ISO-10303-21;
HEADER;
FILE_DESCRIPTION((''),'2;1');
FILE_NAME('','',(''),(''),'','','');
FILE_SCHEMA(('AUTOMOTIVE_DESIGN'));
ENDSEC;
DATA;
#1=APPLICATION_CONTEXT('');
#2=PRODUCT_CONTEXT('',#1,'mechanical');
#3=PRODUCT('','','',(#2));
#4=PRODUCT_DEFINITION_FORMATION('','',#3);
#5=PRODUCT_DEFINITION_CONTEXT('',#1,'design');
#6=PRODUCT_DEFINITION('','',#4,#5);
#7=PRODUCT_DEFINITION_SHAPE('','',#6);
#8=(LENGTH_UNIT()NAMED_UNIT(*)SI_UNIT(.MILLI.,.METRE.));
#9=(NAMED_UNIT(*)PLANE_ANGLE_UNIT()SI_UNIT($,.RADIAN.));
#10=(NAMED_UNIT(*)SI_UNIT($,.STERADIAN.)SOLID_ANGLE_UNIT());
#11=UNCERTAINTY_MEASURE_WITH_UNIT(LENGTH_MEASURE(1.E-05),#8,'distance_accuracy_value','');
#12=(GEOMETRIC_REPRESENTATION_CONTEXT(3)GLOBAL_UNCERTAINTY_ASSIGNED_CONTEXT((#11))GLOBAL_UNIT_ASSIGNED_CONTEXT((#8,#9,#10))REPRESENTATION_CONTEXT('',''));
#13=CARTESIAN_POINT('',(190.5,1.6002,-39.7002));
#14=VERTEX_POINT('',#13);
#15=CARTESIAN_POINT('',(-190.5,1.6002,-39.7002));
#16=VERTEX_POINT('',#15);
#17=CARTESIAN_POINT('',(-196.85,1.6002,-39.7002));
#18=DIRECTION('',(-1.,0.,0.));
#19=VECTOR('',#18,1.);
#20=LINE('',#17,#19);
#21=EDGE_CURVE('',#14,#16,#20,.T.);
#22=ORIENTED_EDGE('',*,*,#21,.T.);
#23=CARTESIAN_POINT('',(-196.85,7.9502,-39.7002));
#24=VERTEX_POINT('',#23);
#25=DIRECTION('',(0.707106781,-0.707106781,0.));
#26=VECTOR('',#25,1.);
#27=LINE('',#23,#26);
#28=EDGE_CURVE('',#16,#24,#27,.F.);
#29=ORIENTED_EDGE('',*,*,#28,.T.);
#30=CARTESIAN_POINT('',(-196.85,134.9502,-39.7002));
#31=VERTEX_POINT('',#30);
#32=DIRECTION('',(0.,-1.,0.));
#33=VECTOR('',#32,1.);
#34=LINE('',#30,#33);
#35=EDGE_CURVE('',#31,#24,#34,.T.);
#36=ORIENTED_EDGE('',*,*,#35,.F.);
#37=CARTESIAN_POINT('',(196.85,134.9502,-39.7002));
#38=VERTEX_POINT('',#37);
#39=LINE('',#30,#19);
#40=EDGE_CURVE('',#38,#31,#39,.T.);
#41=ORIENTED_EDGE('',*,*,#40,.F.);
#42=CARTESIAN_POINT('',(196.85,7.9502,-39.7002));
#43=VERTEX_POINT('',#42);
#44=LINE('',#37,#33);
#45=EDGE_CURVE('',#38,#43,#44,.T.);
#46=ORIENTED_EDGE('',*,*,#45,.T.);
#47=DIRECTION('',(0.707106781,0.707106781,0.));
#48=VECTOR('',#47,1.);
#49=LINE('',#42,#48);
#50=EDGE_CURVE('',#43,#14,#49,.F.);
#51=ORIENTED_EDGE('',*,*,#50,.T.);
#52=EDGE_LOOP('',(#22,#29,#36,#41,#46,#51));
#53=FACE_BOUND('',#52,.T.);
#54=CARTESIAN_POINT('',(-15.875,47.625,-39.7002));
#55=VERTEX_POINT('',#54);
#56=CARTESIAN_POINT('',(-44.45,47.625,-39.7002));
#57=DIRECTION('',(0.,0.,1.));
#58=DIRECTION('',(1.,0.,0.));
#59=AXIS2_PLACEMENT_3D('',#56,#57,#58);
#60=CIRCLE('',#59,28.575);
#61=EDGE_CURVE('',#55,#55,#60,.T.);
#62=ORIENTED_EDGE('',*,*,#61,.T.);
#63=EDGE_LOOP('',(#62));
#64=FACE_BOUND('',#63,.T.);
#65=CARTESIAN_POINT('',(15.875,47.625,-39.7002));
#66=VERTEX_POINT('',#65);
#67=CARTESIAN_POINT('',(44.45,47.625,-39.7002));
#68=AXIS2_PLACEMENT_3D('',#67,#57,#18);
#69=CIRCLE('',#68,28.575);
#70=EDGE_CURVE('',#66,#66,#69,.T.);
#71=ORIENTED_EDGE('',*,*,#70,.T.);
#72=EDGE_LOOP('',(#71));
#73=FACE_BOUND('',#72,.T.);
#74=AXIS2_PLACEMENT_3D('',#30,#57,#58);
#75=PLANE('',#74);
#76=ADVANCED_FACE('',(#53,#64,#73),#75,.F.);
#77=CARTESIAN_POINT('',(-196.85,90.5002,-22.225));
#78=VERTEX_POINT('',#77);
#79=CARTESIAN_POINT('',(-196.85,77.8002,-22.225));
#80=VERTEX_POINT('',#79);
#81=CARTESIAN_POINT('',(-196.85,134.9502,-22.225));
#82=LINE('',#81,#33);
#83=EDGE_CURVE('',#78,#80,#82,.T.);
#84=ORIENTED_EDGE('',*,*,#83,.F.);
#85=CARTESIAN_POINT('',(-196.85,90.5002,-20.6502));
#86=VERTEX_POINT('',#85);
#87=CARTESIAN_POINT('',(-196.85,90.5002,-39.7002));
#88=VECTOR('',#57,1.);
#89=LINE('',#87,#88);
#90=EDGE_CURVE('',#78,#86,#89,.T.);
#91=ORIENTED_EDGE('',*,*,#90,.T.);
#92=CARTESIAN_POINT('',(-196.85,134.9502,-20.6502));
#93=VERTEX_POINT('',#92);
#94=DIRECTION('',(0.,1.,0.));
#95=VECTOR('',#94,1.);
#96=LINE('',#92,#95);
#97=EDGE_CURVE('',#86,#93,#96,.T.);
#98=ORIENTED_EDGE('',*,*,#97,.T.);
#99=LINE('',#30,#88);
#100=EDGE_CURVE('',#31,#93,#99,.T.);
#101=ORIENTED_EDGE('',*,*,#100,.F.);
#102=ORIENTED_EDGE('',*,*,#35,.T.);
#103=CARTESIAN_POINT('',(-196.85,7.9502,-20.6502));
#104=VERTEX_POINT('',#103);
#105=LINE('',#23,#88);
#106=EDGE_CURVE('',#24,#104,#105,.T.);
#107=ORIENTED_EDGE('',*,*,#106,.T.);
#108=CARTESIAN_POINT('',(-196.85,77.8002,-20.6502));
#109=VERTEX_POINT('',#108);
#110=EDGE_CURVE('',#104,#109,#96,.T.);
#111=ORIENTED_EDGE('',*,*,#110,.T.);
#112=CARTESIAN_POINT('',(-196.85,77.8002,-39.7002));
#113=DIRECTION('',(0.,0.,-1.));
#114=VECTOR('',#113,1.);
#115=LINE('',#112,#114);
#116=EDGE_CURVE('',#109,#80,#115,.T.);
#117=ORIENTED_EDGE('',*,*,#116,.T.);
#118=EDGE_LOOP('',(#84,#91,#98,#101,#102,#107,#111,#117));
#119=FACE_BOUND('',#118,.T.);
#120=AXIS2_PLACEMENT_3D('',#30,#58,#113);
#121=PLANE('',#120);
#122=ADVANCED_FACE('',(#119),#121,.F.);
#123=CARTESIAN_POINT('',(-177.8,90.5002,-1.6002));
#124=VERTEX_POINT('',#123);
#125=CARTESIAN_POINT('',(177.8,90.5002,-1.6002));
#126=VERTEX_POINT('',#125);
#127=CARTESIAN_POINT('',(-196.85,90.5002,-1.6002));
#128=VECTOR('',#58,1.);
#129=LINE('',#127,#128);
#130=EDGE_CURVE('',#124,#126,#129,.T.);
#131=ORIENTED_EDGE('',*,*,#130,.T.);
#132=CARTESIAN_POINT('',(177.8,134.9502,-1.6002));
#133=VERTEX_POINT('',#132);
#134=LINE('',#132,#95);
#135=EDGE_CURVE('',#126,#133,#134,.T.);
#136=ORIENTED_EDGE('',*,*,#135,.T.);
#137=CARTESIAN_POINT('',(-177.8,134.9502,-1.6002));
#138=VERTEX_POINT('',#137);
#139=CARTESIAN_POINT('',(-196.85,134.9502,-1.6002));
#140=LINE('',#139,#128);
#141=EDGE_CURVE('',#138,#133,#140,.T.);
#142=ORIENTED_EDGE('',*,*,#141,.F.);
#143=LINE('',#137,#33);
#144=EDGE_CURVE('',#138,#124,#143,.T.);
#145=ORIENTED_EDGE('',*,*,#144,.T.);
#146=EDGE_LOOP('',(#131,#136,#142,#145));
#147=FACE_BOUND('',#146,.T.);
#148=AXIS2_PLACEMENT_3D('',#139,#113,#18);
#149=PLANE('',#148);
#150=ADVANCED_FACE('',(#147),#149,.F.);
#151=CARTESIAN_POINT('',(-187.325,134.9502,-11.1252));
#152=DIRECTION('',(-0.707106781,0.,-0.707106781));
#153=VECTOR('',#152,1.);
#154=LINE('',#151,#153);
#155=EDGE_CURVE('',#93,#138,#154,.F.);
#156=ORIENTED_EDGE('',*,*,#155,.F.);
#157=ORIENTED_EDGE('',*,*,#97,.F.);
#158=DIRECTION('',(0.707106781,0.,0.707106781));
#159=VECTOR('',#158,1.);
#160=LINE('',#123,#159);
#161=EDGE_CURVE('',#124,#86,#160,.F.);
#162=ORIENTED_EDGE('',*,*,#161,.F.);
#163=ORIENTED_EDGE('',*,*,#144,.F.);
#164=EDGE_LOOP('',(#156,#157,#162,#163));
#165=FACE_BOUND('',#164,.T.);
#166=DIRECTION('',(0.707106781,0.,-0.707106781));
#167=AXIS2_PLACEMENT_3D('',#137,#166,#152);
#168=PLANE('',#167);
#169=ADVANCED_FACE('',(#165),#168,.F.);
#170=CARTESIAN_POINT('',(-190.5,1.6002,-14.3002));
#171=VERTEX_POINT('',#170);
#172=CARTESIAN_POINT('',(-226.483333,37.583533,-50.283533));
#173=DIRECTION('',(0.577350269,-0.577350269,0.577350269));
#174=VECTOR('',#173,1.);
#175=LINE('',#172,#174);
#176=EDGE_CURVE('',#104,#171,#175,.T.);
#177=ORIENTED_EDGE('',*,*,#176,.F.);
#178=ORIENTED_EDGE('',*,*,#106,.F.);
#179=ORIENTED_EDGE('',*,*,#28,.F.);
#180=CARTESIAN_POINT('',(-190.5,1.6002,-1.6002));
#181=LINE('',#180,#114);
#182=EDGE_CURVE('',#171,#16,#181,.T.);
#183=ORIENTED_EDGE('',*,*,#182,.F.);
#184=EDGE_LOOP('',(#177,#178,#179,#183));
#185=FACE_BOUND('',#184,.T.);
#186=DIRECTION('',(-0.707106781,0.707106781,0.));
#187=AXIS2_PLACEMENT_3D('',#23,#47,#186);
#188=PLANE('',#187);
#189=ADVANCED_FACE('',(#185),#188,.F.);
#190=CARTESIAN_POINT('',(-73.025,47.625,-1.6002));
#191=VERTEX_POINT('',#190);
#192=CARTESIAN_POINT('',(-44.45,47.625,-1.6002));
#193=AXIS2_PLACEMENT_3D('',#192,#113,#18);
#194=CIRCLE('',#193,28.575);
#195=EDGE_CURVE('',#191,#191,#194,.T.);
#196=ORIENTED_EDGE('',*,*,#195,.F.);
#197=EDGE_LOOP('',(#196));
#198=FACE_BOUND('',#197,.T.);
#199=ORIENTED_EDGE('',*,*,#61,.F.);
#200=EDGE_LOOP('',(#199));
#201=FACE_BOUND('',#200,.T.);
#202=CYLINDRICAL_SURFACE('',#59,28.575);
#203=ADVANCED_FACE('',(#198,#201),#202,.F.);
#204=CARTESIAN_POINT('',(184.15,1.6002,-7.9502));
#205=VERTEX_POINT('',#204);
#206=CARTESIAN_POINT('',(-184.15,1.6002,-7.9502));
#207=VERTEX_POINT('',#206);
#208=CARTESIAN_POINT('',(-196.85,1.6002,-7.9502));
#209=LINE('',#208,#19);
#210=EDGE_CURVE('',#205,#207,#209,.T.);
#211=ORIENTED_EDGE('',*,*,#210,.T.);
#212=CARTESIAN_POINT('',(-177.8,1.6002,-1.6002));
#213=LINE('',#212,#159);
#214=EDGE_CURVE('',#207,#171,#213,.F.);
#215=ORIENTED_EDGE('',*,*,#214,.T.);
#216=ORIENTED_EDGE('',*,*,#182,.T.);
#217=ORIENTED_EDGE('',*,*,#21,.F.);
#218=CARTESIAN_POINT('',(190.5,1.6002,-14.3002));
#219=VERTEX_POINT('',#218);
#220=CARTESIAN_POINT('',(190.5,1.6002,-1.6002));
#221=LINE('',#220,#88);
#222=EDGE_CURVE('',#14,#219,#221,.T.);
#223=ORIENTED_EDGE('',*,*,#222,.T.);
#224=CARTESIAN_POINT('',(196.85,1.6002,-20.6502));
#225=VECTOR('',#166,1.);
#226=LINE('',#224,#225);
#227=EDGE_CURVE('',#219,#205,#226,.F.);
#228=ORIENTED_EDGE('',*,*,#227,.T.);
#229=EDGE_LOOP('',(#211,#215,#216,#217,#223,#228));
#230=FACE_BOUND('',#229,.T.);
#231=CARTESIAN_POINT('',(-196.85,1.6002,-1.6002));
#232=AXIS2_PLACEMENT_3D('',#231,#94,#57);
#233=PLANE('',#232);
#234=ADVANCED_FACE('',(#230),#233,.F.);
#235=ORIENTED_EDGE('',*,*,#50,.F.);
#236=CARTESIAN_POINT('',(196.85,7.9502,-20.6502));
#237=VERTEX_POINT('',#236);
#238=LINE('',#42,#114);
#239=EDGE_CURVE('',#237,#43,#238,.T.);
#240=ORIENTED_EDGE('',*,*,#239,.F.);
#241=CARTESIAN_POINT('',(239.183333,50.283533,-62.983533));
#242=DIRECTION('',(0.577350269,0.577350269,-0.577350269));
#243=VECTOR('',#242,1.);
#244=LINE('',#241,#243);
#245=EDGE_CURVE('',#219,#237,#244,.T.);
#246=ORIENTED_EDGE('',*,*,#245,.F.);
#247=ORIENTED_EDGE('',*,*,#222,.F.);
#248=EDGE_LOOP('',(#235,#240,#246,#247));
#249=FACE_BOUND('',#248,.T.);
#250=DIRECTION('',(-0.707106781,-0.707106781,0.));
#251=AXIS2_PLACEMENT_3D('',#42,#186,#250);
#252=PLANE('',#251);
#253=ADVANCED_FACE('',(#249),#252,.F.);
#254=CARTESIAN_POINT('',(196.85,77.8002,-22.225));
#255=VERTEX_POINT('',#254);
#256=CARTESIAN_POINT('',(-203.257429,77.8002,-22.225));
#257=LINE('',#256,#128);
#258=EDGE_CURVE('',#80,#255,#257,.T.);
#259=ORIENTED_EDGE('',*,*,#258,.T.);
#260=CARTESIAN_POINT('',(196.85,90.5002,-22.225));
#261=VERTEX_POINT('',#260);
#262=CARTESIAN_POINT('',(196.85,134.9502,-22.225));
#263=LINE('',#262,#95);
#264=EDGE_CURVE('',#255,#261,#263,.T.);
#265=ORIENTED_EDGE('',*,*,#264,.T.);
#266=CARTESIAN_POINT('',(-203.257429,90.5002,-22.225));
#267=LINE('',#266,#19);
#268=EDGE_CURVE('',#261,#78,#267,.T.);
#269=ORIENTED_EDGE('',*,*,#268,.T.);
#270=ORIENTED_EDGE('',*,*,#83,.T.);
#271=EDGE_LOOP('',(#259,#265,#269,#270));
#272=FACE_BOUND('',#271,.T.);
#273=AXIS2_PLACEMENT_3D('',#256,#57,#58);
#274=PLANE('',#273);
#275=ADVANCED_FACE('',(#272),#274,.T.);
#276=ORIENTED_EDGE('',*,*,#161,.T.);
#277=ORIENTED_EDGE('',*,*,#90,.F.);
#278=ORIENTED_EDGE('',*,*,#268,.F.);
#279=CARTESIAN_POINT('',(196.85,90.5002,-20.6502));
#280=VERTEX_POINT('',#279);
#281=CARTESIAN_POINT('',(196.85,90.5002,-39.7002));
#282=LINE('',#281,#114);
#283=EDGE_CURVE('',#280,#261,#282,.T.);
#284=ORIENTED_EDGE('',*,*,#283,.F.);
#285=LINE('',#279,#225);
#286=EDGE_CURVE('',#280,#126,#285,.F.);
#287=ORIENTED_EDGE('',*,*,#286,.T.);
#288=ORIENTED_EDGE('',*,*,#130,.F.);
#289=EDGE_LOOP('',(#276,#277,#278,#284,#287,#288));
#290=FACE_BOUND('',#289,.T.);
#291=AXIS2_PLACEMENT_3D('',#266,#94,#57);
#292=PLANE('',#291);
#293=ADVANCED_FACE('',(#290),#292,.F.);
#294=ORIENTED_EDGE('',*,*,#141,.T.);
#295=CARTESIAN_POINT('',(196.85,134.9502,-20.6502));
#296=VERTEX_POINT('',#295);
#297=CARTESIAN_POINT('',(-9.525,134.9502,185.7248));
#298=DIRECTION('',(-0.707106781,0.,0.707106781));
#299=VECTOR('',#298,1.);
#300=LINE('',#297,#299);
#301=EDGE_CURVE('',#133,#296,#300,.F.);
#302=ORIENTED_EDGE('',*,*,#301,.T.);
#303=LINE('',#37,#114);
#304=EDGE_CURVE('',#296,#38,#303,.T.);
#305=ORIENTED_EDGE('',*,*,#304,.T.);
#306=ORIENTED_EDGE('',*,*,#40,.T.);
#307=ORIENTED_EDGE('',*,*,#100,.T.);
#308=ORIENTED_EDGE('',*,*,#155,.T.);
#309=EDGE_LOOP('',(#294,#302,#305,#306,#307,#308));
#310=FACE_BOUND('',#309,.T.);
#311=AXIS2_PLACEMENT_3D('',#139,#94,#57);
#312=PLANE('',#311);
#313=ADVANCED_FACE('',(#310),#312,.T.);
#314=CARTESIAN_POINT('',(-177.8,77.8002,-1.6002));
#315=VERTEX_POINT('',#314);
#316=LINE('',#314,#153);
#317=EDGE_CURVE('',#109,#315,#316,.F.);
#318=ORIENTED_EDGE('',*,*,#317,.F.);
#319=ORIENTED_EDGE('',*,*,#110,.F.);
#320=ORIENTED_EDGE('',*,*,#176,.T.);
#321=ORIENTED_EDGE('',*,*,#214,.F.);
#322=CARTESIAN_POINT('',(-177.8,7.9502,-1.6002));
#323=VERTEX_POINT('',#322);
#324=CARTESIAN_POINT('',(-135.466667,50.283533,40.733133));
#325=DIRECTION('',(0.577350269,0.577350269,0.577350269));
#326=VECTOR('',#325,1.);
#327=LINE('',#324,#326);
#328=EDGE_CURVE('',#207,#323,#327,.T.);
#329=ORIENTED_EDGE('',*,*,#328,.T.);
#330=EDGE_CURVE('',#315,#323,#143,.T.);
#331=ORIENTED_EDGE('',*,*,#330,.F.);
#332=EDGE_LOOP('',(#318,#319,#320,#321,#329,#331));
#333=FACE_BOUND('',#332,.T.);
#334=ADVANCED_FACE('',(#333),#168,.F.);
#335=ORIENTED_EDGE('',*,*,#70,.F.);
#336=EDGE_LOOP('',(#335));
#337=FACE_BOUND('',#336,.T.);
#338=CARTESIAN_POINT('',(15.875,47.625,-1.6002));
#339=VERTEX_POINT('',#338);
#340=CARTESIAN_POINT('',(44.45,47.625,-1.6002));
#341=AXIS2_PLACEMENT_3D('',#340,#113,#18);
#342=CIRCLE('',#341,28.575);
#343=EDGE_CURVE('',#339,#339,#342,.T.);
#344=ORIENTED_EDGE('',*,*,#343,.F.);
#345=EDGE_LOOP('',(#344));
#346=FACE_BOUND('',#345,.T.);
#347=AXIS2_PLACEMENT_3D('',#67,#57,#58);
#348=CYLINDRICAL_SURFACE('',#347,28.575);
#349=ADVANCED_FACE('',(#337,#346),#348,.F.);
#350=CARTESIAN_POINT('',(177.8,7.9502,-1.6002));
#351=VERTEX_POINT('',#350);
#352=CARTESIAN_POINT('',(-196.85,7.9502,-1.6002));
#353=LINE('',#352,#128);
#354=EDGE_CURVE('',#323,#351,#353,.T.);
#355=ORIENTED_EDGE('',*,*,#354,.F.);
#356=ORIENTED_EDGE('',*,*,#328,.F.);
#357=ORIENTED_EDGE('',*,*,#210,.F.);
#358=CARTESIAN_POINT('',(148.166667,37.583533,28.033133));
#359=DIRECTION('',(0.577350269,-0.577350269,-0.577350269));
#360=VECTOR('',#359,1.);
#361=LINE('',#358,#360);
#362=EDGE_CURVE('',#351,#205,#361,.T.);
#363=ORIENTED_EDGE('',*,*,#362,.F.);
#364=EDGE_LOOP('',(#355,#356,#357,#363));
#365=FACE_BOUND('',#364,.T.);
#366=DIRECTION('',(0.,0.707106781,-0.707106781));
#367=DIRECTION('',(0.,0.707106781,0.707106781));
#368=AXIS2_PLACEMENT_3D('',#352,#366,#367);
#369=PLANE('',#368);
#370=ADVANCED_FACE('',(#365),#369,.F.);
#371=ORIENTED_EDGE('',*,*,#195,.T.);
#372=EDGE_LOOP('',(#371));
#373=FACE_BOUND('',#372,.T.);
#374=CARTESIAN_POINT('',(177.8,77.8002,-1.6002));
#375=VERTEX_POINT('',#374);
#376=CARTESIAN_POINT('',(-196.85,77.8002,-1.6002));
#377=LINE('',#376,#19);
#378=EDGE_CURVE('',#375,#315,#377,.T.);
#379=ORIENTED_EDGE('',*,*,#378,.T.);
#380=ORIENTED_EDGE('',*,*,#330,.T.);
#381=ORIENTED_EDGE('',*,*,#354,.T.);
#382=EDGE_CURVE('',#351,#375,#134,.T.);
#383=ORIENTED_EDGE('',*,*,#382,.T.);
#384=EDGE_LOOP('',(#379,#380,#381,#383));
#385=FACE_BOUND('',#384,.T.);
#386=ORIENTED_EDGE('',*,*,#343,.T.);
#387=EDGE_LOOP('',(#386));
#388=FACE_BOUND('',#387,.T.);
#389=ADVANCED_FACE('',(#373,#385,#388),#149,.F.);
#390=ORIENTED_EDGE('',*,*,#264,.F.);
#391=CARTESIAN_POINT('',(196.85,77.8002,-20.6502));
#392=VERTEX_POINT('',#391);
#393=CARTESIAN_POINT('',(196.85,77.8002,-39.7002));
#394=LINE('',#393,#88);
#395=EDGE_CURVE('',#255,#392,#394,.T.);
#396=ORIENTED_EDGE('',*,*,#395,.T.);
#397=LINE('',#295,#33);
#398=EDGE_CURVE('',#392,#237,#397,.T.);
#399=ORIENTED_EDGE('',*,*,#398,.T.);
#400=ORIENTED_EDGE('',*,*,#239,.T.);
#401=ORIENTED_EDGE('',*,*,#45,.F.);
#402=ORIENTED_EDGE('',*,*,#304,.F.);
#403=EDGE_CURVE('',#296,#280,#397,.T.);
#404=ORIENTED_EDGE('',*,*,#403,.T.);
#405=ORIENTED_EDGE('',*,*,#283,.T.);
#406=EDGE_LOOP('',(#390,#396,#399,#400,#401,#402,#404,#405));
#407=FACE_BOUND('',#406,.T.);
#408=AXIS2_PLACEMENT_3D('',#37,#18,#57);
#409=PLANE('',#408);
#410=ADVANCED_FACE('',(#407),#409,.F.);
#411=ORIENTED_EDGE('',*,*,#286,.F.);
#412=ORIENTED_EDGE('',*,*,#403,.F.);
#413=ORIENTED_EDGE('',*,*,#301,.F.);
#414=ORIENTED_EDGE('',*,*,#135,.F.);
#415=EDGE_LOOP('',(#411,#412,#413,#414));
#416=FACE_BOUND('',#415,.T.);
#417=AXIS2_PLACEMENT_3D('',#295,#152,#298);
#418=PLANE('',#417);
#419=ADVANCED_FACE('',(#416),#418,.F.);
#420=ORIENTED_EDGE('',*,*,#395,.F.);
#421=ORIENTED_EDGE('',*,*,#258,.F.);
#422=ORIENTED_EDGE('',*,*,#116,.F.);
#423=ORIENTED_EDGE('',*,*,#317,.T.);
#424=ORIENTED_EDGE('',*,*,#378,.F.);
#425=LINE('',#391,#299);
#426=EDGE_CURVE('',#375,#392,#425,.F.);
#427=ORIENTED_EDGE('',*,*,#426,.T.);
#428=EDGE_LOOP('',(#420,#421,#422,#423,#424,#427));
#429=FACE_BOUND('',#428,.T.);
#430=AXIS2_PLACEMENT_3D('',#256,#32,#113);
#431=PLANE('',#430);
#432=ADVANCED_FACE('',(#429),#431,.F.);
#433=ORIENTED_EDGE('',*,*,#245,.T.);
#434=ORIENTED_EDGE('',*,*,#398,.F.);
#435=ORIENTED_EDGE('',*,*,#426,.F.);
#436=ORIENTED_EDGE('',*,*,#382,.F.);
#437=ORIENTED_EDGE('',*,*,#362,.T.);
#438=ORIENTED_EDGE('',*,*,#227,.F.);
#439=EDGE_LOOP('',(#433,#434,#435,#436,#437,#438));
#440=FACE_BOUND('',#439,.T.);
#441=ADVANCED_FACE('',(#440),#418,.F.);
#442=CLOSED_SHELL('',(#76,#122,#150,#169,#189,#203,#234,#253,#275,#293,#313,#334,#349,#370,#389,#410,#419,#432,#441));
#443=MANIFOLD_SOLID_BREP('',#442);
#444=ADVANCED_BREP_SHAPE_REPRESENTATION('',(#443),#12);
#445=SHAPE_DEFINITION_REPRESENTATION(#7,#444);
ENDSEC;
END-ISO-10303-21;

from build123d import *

# Parameters (mm, degrees)
SKETCH1_W          = 393.7
SKETCH1_H          = 38.1
EXTRUDE1_DEPTH     = 133.35
CHAMFER1_SIZE      = 19.05
CHAMFER2_SIZE      = 6.35
SKETCH2_R          = 28.575
CUT_EXTRUDE1_DEPTH = 242.945417109
SKETCH3_W          = 406.514857882
SKETCH3_H          = 12.7
CUT_EXTRUDE2_DEPTH = 22.225


with BuildPart() as part:
    # Sketch1 → Extrude1 (new body)
    with BuildSketch(Plane(origin=(0, 1.6002, 0), x_dir=(1, 0, 0), z_dir=(0, 1, 0))):
        with Locations((0, 20.6502)):
            Rectangle(SKETCH1_W, SKETCH1_H)
    extrude(amount=EXTRUDE1_DEPTH)

    # Chamfer1
    chamfer1_edges = [part.edges().sort_by_distance(p)[0] for p in [
        (196.85, 68.2752, -1.6002),
        (-196.85, 68.2752, -1.6002),
    ]]
    chamfer(chamfer1_edges, length=CHAMFER1_SIZE)

    # Chamfer2
    chamfer2_edges = [part.edges().sort_by_distance(p)[0] for p in [
        (196.85, 1.6002, -30.1752),
        (0, 1.6002, -1.6002),
        (-196.85, 1.6002, -30.1752),
    ]]
    chamfer(chamfer2_edges, length=CHAMFER2_SIZE)

    # Sketch2 → Cut-Extrude1 (cut, through all)
    with BuildSketch(Plane.XY):
        with Locations((-44.45, 47.625)):
            Circle(SKETCH2_R)
        with Locations(Location((44.45, 47.625, 0), (0, 0, 180))):
            Circle(SKETCH2_R)
    extrude(amount=-CUT_EXTRUDE1_DEPTH, mode=Mode.SUBTRACT)

    # Sketch3 → Cut-Extrude2 (cut)
    with BuildSketch(Plane.XY):
        with Locations((0, 84.1502)):
            Rectangle(SKETCH3_W, SKETCH3_H)
    extrude(amount=-CUT_EXTRUDE2_DEPTH, mode=Mode.SUBTRACT)


solid = part.part
